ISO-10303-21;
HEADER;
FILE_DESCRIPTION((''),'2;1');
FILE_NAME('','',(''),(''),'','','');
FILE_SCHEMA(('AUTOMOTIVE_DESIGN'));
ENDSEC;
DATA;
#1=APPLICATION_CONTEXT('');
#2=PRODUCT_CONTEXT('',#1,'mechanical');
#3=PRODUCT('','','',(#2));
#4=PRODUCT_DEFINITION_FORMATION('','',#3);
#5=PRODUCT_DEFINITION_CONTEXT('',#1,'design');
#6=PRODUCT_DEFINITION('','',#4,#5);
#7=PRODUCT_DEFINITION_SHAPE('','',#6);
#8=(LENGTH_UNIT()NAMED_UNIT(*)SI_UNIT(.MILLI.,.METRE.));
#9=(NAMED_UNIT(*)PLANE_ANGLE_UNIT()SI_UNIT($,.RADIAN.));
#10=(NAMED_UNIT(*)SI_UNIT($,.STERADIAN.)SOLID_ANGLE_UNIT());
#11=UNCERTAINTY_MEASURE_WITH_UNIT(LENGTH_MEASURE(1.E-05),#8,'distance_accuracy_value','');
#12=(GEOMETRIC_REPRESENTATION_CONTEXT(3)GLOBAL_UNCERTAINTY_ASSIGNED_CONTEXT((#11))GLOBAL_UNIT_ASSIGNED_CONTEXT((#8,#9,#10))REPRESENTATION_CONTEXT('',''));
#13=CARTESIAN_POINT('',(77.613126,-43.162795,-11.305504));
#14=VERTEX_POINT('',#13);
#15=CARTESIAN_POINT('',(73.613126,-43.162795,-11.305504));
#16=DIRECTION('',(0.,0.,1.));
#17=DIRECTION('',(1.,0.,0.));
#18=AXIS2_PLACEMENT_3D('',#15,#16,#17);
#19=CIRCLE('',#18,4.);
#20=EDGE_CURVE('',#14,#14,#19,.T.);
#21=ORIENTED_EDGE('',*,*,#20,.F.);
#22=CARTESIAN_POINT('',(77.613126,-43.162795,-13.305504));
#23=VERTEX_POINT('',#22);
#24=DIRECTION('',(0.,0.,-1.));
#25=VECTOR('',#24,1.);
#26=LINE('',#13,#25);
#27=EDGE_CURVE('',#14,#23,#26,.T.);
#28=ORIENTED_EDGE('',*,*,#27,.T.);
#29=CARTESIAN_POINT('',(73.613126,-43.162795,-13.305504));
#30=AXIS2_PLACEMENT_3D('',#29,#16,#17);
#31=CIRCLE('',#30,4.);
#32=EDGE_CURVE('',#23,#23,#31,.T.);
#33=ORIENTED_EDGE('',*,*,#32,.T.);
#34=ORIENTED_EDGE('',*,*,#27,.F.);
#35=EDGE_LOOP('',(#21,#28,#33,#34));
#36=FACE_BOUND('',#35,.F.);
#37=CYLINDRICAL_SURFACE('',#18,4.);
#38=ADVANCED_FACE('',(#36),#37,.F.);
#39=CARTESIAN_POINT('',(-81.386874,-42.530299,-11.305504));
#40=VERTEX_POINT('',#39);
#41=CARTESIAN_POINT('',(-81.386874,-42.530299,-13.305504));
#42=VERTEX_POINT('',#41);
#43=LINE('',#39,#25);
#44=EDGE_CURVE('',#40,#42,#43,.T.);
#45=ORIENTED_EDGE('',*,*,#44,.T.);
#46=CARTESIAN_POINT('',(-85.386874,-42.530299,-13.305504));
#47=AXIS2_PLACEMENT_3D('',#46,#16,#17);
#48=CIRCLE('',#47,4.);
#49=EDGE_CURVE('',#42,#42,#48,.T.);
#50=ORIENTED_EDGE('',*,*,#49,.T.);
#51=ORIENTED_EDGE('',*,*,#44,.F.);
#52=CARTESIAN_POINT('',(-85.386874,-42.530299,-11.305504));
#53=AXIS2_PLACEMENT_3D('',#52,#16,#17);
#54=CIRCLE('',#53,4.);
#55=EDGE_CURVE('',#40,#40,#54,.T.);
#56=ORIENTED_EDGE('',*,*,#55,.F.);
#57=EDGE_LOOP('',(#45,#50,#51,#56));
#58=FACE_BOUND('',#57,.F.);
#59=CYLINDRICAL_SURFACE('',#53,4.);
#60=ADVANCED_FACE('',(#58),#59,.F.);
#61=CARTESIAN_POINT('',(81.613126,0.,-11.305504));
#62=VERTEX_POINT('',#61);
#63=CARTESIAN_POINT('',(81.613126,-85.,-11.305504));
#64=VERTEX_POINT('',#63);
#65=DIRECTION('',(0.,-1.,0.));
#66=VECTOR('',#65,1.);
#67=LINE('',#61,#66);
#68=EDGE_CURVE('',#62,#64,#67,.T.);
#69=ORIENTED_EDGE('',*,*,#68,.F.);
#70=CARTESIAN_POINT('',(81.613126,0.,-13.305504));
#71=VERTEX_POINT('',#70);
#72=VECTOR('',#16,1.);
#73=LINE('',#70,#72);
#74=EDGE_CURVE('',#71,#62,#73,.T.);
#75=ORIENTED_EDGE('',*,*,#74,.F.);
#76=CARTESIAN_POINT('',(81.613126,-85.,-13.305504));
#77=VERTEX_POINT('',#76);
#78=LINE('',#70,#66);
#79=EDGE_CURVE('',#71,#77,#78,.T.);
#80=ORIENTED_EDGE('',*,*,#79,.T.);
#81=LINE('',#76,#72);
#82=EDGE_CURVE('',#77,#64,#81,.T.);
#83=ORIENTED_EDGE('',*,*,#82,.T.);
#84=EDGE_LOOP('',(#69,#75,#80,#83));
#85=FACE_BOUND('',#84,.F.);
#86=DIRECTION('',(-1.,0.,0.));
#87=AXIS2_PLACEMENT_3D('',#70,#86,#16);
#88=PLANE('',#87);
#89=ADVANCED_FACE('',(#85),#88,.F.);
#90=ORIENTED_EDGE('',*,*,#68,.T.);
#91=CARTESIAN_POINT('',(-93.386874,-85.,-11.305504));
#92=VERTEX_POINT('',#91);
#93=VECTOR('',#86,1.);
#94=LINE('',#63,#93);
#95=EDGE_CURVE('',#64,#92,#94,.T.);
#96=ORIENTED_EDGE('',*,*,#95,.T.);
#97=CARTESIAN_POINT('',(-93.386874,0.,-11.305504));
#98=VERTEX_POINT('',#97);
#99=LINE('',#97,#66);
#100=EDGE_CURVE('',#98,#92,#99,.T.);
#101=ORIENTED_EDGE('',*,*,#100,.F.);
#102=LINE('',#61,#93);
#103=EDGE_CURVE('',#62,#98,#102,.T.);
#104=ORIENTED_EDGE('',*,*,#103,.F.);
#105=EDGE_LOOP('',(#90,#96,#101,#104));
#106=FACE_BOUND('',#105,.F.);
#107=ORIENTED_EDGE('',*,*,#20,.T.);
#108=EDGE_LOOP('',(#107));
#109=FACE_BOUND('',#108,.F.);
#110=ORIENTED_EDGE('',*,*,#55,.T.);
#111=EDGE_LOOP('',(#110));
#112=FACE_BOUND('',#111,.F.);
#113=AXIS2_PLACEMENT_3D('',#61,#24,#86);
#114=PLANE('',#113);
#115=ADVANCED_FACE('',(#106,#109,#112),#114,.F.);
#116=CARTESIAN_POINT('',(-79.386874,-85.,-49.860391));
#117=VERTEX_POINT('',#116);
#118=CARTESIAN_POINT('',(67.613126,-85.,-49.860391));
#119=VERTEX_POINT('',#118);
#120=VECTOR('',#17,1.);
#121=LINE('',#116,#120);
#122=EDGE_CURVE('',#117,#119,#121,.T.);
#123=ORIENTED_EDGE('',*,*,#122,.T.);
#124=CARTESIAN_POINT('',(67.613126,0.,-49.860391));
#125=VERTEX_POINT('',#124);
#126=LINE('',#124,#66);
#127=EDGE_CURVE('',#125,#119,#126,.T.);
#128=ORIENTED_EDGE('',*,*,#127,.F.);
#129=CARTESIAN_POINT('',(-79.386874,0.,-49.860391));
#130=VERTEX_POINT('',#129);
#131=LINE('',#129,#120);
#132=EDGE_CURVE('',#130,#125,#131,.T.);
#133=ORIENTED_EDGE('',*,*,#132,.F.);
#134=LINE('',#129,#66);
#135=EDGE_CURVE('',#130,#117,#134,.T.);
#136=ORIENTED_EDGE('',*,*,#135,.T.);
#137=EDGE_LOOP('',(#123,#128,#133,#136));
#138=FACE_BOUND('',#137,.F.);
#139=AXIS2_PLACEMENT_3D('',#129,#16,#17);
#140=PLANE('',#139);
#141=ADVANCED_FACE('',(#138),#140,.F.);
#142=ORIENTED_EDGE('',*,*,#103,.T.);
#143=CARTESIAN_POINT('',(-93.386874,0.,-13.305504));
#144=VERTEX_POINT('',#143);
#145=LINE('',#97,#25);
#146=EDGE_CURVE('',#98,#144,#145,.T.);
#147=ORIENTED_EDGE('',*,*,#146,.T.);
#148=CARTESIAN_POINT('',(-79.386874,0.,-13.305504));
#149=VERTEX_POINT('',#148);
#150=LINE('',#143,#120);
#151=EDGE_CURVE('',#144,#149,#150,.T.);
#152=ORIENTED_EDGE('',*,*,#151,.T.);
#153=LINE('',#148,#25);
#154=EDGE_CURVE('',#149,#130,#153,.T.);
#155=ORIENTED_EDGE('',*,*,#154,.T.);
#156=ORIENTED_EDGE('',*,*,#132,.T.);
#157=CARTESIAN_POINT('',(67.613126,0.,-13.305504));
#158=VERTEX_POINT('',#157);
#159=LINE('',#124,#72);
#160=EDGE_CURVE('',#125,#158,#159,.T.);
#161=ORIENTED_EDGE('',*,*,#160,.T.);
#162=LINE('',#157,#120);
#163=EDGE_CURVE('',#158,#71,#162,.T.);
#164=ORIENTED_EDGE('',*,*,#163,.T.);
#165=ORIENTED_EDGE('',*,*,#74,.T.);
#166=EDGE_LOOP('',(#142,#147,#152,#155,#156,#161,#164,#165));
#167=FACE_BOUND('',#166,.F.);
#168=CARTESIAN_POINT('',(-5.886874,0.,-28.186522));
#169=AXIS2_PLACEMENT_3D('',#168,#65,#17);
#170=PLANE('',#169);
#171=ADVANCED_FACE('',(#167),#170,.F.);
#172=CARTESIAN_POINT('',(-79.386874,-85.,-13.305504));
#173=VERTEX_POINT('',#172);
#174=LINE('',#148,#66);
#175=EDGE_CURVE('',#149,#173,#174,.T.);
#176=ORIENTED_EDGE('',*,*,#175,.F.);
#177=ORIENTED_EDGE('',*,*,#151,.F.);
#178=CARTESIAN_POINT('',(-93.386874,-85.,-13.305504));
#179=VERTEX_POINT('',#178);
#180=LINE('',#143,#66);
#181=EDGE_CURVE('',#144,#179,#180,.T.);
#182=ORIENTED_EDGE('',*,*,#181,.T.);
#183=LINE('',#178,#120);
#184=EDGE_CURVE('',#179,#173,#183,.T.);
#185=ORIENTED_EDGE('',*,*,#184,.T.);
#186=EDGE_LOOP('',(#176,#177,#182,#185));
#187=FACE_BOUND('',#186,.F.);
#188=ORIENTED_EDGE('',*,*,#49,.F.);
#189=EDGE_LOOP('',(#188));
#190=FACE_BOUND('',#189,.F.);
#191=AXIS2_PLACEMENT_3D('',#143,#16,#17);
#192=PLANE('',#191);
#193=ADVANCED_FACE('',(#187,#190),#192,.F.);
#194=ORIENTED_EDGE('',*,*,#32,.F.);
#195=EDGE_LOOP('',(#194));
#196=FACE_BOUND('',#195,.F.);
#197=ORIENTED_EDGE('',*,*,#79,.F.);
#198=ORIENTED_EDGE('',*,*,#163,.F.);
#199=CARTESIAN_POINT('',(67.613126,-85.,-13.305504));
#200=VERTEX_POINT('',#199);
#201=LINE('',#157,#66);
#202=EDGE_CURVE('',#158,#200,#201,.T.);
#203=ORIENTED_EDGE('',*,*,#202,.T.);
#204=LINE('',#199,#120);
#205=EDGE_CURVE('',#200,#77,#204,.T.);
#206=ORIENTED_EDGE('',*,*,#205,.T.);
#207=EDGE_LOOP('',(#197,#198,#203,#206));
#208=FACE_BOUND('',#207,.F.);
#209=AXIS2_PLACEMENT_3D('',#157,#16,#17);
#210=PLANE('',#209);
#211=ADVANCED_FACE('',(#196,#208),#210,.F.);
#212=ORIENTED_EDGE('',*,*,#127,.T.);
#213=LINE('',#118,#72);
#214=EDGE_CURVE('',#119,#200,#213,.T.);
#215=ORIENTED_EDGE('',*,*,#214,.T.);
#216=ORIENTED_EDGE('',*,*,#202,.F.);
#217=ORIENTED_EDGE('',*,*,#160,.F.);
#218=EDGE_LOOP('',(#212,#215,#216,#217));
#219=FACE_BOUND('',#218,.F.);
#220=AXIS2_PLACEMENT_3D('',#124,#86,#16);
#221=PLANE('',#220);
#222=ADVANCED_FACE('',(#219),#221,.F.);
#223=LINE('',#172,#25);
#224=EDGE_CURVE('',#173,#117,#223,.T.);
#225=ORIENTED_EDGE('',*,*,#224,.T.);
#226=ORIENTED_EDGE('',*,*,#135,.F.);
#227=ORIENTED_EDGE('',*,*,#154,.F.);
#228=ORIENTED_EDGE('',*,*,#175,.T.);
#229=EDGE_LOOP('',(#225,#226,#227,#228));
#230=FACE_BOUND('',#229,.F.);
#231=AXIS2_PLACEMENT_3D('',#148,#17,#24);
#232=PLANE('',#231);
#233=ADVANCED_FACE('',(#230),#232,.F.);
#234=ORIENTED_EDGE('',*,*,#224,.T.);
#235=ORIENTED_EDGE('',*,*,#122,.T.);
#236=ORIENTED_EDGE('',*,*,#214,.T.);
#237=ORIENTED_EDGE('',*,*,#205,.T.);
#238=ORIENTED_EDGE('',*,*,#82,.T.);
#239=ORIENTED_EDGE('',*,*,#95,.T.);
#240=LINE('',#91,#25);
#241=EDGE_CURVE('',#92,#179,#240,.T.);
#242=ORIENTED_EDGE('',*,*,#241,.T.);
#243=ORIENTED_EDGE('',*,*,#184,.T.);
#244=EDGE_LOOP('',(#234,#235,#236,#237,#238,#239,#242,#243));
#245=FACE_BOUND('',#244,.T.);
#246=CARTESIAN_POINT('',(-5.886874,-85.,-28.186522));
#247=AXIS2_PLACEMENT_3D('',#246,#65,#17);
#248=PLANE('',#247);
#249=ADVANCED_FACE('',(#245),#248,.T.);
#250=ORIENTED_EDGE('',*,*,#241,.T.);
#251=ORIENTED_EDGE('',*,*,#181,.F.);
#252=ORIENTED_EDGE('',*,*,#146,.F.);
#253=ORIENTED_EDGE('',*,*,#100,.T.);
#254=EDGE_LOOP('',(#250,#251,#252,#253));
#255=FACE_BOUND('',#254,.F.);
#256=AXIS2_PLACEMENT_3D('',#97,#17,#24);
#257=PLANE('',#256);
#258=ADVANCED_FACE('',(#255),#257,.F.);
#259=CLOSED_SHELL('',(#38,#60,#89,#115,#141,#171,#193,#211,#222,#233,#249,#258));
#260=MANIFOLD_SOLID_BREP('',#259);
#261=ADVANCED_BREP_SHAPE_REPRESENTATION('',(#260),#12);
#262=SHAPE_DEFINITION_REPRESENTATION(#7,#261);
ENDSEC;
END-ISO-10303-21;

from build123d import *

# Parameters (mm, degrees)
F1_DEPTH = 85
F2_R     = 4
F3_DEPTH = 25


with BuildPart() as f1:
    # F0 (on Front) → F1 (new body)
    with BuildSketch(Plane.XZ):
        Polygon((67.613126, -11.305504), (-79.386874, -11.305504), (-93.386874, -11.305504), (-93.386874, -13.305504), (-79.386874, -13.305504), (-79.386874, -49.860391), (67.613126, -49.860391), (67.613126, -13.305504), (81.613126, -13.305504), (81.613126, -11.305504), align=None)
    extrude(amount=F1_DEPTH)

    # F2 (on face) → F3 (cut)
    with BuildSketch(Plane.XY.offset(-11.305504)):
        with Locations((-85.386874, -42.530299)):
            Circle(F2_R)
        with Locations((73.613126, -43.162795)):
            Circle(F2_R)
    extrude(amount=-F3_DEPTH, mode=Mode.SUBTRACT)


solid = f1.part
